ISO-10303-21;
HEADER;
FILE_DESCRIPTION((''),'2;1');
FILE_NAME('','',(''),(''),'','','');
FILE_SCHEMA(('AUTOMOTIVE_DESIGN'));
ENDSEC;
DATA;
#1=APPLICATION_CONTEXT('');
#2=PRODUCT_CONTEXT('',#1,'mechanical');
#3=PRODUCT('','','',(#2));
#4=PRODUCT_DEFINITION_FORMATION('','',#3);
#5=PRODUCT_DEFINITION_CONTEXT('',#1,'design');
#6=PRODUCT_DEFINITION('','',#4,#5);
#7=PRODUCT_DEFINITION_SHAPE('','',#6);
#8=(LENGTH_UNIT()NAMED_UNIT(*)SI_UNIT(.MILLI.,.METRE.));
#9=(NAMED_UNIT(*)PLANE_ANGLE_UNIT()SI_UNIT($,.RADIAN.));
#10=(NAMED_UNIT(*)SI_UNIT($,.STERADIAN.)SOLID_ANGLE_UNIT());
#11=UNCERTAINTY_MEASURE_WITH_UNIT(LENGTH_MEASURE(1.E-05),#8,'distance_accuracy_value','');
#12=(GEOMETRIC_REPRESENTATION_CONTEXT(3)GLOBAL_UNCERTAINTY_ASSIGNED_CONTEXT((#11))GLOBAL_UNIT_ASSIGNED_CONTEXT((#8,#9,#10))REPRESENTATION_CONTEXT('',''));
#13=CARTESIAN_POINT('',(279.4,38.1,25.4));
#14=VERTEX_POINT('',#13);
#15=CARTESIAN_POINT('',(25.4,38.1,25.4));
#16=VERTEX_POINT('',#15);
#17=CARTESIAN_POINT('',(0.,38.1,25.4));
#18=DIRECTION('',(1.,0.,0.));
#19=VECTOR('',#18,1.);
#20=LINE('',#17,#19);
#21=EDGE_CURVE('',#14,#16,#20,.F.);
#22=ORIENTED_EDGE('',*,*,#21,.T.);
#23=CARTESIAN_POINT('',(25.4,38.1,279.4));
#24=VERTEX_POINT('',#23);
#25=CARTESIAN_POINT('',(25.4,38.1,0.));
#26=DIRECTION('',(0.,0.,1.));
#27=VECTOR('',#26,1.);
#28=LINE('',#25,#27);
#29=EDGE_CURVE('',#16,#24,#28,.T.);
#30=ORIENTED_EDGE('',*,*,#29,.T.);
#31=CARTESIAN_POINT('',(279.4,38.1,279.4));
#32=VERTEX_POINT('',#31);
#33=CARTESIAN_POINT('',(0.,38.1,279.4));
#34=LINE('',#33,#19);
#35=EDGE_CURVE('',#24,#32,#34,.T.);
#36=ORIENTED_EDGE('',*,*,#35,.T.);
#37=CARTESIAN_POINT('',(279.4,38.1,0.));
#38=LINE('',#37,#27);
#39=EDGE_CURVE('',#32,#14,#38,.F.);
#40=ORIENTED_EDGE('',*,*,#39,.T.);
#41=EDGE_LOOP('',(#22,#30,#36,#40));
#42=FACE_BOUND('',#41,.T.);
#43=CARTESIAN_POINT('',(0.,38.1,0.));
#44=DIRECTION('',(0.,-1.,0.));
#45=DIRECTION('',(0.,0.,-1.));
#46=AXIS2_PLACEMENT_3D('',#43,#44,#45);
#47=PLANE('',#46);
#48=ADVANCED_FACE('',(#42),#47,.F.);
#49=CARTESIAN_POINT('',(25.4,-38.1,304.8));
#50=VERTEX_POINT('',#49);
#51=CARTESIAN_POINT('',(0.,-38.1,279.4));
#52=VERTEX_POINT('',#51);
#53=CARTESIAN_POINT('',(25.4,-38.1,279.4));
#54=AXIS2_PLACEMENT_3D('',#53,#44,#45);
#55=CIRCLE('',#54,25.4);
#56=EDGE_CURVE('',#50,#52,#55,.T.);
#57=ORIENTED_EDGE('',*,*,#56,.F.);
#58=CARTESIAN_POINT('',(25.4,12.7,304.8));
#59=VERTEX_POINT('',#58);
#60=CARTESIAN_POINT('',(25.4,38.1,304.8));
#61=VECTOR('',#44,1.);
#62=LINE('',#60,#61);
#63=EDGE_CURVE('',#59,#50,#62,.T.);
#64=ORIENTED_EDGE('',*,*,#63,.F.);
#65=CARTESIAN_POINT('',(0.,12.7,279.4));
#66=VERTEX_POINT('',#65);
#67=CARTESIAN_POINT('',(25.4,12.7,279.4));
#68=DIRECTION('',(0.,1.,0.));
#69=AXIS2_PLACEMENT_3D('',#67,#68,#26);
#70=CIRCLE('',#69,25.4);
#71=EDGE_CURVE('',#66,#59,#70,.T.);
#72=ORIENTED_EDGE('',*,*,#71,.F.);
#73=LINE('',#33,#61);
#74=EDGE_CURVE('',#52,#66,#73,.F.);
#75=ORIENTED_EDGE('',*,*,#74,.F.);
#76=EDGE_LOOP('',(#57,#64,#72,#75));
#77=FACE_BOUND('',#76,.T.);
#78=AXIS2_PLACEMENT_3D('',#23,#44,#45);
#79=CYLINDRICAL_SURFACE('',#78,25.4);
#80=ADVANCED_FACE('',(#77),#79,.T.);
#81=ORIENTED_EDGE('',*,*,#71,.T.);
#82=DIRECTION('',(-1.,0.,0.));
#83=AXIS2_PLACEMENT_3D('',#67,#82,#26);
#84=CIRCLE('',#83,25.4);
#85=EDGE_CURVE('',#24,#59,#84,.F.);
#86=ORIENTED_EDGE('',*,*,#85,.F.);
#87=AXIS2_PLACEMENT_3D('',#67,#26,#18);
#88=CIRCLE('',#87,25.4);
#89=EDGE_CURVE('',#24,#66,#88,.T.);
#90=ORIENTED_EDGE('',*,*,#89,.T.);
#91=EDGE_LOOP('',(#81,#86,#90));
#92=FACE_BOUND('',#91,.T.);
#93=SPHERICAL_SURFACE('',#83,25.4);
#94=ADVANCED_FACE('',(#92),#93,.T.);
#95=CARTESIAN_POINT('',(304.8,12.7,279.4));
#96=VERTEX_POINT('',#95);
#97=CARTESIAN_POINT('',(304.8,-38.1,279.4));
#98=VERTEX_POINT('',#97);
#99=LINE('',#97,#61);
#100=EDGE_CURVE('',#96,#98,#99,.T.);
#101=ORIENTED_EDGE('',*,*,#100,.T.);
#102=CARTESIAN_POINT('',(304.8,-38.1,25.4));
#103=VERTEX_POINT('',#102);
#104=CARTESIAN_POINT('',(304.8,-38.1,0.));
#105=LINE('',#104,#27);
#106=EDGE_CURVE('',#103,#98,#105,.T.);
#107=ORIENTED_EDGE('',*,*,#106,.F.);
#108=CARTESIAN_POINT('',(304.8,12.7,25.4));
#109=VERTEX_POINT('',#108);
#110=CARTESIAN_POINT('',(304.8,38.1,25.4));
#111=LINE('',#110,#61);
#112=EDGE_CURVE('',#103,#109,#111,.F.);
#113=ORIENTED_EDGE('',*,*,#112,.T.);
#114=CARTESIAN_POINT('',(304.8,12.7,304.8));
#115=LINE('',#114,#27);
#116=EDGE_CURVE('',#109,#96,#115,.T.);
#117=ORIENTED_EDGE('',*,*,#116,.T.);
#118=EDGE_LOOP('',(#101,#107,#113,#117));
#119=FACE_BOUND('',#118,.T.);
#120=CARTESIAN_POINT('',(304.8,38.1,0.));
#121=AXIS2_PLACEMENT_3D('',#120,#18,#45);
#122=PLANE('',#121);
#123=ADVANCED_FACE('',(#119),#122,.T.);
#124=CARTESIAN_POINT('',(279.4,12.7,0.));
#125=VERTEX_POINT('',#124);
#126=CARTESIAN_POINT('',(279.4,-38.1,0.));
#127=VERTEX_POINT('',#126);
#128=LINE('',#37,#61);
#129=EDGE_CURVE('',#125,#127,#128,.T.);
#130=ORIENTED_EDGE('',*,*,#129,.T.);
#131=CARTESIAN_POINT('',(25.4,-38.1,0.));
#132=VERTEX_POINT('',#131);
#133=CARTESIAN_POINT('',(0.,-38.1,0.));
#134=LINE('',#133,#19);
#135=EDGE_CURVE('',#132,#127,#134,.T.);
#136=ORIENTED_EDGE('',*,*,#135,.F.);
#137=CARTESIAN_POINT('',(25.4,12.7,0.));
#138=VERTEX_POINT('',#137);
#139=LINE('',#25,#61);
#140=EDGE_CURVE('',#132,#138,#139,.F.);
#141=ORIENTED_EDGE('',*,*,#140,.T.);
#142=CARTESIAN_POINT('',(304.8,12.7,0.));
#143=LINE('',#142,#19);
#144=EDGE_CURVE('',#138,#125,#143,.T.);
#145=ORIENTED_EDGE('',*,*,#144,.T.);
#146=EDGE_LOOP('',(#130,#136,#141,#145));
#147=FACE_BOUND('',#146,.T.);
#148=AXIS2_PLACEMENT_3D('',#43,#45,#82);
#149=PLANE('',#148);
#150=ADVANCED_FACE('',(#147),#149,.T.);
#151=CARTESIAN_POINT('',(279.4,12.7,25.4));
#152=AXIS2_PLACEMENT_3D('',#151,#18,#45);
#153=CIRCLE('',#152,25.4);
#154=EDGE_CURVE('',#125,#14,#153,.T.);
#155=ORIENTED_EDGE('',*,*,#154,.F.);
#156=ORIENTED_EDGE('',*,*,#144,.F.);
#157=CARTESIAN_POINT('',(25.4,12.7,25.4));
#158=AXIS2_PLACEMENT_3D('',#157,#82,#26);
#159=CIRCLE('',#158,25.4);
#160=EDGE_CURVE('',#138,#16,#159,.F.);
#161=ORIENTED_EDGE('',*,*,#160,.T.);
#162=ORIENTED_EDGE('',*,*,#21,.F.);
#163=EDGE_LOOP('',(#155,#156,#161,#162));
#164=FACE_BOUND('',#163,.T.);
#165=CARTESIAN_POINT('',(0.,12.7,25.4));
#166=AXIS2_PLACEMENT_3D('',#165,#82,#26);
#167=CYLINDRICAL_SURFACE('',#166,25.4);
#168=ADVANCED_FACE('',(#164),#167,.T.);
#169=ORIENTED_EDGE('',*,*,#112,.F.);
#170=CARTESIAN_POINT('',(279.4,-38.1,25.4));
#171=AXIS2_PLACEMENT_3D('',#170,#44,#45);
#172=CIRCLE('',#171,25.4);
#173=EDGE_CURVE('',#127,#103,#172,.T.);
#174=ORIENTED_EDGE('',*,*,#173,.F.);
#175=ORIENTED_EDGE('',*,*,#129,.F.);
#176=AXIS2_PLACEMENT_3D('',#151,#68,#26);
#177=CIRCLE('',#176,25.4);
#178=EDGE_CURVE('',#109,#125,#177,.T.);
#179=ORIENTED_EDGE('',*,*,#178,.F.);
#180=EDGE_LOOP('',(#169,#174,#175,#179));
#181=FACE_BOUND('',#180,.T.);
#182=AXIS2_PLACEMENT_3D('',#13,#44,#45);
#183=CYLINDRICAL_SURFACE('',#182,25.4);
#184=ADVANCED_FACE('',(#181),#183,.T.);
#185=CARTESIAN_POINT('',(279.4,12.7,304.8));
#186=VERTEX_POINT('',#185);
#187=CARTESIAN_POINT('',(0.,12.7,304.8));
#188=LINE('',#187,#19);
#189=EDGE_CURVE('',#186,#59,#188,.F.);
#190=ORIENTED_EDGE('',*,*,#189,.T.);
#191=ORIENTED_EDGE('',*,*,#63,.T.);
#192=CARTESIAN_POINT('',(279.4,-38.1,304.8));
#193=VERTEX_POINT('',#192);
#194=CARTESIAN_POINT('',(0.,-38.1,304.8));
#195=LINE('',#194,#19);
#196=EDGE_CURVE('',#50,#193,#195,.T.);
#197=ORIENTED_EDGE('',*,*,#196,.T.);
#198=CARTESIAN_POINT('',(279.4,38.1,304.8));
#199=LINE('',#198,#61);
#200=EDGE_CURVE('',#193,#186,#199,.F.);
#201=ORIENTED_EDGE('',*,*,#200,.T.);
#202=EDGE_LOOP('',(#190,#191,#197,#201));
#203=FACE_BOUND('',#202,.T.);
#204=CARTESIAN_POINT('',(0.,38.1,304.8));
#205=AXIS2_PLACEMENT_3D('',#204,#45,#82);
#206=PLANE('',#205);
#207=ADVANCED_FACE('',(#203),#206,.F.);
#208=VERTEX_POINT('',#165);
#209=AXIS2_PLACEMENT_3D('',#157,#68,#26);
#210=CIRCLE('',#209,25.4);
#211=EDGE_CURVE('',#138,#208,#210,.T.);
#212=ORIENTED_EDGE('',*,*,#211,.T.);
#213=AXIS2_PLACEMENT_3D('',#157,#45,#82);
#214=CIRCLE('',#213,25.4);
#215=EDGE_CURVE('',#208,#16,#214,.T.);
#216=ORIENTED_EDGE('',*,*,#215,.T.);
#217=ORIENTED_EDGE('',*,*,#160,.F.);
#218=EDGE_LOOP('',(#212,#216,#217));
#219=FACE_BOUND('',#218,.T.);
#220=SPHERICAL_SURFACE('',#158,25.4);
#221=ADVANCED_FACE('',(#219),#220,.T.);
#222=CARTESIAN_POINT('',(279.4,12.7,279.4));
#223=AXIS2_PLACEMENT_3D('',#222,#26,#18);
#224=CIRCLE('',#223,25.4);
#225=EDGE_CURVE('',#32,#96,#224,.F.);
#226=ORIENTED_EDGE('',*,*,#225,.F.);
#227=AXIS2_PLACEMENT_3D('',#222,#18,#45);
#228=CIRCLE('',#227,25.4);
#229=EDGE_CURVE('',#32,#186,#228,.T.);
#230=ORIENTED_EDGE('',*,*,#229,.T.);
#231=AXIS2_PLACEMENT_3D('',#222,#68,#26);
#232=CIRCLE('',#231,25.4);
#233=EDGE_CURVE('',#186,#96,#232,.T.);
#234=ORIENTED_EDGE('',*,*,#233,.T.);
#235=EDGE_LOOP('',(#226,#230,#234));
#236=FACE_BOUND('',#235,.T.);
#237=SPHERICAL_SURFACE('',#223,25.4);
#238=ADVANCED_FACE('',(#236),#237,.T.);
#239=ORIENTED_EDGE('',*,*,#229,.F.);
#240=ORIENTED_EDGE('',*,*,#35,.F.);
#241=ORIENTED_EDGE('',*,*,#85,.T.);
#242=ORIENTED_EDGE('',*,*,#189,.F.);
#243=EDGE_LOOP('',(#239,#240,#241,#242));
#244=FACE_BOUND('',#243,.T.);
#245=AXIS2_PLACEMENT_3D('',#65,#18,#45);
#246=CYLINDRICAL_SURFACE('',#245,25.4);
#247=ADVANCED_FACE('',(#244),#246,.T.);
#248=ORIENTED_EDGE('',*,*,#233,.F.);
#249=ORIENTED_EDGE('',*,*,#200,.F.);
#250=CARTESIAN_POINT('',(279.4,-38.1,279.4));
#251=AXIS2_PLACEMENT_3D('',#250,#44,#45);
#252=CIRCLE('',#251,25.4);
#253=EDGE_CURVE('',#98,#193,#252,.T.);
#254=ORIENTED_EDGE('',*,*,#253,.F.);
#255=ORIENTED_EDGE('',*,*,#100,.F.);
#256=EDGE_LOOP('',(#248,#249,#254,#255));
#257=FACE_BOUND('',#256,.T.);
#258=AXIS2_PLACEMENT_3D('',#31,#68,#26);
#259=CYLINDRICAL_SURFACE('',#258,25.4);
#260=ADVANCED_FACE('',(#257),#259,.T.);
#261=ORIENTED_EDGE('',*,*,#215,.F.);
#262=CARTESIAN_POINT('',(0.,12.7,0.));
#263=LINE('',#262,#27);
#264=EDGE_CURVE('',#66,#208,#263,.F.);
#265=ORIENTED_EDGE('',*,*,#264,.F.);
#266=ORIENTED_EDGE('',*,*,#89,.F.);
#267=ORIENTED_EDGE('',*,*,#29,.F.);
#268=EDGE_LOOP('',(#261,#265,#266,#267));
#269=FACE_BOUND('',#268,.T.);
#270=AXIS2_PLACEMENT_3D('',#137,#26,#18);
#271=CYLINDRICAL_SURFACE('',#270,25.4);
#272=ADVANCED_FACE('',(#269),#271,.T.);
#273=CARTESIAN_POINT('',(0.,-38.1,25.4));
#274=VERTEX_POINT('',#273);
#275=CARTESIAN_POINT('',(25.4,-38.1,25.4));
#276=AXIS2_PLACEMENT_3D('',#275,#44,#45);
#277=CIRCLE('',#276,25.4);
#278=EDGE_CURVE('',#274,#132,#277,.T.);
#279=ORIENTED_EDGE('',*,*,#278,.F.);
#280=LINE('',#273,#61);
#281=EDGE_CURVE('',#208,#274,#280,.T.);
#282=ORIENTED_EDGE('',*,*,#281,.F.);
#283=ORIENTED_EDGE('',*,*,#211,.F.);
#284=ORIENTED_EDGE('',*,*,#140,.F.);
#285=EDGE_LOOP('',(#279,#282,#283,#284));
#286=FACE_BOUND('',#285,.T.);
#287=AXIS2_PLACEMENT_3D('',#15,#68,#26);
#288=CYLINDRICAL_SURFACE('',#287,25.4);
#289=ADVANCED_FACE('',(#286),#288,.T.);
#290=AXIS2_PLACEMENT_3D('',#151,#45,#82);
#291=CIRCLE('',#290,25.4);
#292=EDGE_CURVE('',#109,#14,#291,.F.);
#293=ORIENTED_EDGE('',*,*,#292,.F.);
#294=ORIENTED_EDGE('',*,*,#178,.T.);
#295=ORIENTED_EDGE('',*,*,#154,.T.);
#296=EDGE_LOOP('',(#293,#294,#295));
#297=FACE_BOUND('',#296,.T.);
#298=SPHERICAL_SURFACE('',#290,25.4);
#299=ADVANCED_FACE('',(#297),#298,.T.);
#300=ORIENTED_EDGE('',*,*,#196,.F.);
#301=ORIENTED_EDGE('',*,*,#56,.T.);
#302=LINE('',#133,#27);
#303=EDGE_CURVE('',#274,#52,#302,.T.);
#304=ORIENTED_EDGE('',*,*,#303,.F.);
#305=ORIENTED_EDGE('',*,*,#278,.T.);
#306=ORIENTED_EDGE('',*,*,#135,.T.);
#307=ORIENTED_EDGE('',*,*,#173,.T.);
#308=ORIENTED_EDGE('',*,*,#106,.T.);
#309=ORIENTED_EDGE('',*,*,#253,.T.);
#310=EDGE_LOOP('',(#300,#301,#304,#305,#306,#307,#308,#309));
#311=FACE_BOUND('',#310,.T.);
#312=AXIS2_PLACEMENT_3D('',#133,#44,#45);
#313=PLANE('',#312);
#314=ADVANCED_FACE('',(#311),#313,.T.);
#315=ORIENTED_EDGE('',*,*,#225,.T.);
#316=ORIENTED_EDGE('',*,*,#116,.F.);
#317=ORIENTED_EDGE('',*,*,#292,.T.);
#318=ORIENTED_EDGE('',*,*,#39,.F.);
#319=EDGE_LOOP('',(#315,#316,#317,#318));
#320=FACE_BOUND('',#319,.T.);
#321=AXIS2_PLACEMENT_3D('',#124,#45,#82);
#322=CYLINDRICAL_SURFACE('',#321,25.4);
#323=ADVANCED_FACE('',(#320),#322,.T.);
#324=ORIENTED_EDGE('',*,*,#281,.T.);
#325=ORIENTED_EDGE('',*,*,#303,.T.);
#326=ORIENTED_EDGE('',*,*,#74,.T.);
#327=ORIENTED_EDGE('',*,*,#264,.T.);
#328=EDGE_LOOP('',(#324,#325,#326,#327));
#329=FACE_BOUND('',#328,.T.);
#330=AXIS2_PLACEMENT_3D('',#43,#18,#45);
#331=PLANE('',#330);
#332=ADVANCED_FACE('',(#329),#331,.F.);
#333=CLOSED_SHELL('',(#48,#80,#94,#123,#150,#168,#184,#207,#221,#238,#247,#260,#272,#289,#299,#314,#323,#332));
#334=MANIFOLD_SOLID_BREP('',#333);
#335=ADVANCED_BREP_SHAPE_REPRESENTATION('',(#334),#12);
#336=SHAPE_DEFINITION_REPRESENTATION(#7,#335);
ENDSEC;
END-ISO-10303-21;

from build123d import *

# Parameters (mm, degrees)
SKETCH1_W           = 304.8
SKETCH1_H           = 304.8
BOSS_EXTRUDE2_DEPTH = 38.1
FILLET1_R           = 25.4


with BuildPart() as part:
    # Sketch1 → Boss-Extrude2 (new, symmetric)
    with BuildSketch(Plane(origin=(0, 0, 0), x_dir=(1, 0, 0), z_dir=(0, 1, 0))):
        with Locations((152.4, -152.4)):
            Rectangle(SKETCH1_W, SKETCH1_H)
    extrude(amount=BOSS_EXTRUDE2_DEPTH, both=True)

    # Fillet1
    fillet1_edges = [part.edges().sort_by_distance(p)[0] for p in [
        (152.4, 38.1, 304.8),
        (0, 38.1, 152.4),
        (152.4, 38.1, 0),
        (0, 0, 0),
        (0, 0, 304.8),
        (304.8, 0, 304.8),
        (304.8, 0, 0),
        (304.8, 38.1, 152.4),
    ]]
    fillet(fillet1_edges, radius=FILLET1_R)


solid = part.part
